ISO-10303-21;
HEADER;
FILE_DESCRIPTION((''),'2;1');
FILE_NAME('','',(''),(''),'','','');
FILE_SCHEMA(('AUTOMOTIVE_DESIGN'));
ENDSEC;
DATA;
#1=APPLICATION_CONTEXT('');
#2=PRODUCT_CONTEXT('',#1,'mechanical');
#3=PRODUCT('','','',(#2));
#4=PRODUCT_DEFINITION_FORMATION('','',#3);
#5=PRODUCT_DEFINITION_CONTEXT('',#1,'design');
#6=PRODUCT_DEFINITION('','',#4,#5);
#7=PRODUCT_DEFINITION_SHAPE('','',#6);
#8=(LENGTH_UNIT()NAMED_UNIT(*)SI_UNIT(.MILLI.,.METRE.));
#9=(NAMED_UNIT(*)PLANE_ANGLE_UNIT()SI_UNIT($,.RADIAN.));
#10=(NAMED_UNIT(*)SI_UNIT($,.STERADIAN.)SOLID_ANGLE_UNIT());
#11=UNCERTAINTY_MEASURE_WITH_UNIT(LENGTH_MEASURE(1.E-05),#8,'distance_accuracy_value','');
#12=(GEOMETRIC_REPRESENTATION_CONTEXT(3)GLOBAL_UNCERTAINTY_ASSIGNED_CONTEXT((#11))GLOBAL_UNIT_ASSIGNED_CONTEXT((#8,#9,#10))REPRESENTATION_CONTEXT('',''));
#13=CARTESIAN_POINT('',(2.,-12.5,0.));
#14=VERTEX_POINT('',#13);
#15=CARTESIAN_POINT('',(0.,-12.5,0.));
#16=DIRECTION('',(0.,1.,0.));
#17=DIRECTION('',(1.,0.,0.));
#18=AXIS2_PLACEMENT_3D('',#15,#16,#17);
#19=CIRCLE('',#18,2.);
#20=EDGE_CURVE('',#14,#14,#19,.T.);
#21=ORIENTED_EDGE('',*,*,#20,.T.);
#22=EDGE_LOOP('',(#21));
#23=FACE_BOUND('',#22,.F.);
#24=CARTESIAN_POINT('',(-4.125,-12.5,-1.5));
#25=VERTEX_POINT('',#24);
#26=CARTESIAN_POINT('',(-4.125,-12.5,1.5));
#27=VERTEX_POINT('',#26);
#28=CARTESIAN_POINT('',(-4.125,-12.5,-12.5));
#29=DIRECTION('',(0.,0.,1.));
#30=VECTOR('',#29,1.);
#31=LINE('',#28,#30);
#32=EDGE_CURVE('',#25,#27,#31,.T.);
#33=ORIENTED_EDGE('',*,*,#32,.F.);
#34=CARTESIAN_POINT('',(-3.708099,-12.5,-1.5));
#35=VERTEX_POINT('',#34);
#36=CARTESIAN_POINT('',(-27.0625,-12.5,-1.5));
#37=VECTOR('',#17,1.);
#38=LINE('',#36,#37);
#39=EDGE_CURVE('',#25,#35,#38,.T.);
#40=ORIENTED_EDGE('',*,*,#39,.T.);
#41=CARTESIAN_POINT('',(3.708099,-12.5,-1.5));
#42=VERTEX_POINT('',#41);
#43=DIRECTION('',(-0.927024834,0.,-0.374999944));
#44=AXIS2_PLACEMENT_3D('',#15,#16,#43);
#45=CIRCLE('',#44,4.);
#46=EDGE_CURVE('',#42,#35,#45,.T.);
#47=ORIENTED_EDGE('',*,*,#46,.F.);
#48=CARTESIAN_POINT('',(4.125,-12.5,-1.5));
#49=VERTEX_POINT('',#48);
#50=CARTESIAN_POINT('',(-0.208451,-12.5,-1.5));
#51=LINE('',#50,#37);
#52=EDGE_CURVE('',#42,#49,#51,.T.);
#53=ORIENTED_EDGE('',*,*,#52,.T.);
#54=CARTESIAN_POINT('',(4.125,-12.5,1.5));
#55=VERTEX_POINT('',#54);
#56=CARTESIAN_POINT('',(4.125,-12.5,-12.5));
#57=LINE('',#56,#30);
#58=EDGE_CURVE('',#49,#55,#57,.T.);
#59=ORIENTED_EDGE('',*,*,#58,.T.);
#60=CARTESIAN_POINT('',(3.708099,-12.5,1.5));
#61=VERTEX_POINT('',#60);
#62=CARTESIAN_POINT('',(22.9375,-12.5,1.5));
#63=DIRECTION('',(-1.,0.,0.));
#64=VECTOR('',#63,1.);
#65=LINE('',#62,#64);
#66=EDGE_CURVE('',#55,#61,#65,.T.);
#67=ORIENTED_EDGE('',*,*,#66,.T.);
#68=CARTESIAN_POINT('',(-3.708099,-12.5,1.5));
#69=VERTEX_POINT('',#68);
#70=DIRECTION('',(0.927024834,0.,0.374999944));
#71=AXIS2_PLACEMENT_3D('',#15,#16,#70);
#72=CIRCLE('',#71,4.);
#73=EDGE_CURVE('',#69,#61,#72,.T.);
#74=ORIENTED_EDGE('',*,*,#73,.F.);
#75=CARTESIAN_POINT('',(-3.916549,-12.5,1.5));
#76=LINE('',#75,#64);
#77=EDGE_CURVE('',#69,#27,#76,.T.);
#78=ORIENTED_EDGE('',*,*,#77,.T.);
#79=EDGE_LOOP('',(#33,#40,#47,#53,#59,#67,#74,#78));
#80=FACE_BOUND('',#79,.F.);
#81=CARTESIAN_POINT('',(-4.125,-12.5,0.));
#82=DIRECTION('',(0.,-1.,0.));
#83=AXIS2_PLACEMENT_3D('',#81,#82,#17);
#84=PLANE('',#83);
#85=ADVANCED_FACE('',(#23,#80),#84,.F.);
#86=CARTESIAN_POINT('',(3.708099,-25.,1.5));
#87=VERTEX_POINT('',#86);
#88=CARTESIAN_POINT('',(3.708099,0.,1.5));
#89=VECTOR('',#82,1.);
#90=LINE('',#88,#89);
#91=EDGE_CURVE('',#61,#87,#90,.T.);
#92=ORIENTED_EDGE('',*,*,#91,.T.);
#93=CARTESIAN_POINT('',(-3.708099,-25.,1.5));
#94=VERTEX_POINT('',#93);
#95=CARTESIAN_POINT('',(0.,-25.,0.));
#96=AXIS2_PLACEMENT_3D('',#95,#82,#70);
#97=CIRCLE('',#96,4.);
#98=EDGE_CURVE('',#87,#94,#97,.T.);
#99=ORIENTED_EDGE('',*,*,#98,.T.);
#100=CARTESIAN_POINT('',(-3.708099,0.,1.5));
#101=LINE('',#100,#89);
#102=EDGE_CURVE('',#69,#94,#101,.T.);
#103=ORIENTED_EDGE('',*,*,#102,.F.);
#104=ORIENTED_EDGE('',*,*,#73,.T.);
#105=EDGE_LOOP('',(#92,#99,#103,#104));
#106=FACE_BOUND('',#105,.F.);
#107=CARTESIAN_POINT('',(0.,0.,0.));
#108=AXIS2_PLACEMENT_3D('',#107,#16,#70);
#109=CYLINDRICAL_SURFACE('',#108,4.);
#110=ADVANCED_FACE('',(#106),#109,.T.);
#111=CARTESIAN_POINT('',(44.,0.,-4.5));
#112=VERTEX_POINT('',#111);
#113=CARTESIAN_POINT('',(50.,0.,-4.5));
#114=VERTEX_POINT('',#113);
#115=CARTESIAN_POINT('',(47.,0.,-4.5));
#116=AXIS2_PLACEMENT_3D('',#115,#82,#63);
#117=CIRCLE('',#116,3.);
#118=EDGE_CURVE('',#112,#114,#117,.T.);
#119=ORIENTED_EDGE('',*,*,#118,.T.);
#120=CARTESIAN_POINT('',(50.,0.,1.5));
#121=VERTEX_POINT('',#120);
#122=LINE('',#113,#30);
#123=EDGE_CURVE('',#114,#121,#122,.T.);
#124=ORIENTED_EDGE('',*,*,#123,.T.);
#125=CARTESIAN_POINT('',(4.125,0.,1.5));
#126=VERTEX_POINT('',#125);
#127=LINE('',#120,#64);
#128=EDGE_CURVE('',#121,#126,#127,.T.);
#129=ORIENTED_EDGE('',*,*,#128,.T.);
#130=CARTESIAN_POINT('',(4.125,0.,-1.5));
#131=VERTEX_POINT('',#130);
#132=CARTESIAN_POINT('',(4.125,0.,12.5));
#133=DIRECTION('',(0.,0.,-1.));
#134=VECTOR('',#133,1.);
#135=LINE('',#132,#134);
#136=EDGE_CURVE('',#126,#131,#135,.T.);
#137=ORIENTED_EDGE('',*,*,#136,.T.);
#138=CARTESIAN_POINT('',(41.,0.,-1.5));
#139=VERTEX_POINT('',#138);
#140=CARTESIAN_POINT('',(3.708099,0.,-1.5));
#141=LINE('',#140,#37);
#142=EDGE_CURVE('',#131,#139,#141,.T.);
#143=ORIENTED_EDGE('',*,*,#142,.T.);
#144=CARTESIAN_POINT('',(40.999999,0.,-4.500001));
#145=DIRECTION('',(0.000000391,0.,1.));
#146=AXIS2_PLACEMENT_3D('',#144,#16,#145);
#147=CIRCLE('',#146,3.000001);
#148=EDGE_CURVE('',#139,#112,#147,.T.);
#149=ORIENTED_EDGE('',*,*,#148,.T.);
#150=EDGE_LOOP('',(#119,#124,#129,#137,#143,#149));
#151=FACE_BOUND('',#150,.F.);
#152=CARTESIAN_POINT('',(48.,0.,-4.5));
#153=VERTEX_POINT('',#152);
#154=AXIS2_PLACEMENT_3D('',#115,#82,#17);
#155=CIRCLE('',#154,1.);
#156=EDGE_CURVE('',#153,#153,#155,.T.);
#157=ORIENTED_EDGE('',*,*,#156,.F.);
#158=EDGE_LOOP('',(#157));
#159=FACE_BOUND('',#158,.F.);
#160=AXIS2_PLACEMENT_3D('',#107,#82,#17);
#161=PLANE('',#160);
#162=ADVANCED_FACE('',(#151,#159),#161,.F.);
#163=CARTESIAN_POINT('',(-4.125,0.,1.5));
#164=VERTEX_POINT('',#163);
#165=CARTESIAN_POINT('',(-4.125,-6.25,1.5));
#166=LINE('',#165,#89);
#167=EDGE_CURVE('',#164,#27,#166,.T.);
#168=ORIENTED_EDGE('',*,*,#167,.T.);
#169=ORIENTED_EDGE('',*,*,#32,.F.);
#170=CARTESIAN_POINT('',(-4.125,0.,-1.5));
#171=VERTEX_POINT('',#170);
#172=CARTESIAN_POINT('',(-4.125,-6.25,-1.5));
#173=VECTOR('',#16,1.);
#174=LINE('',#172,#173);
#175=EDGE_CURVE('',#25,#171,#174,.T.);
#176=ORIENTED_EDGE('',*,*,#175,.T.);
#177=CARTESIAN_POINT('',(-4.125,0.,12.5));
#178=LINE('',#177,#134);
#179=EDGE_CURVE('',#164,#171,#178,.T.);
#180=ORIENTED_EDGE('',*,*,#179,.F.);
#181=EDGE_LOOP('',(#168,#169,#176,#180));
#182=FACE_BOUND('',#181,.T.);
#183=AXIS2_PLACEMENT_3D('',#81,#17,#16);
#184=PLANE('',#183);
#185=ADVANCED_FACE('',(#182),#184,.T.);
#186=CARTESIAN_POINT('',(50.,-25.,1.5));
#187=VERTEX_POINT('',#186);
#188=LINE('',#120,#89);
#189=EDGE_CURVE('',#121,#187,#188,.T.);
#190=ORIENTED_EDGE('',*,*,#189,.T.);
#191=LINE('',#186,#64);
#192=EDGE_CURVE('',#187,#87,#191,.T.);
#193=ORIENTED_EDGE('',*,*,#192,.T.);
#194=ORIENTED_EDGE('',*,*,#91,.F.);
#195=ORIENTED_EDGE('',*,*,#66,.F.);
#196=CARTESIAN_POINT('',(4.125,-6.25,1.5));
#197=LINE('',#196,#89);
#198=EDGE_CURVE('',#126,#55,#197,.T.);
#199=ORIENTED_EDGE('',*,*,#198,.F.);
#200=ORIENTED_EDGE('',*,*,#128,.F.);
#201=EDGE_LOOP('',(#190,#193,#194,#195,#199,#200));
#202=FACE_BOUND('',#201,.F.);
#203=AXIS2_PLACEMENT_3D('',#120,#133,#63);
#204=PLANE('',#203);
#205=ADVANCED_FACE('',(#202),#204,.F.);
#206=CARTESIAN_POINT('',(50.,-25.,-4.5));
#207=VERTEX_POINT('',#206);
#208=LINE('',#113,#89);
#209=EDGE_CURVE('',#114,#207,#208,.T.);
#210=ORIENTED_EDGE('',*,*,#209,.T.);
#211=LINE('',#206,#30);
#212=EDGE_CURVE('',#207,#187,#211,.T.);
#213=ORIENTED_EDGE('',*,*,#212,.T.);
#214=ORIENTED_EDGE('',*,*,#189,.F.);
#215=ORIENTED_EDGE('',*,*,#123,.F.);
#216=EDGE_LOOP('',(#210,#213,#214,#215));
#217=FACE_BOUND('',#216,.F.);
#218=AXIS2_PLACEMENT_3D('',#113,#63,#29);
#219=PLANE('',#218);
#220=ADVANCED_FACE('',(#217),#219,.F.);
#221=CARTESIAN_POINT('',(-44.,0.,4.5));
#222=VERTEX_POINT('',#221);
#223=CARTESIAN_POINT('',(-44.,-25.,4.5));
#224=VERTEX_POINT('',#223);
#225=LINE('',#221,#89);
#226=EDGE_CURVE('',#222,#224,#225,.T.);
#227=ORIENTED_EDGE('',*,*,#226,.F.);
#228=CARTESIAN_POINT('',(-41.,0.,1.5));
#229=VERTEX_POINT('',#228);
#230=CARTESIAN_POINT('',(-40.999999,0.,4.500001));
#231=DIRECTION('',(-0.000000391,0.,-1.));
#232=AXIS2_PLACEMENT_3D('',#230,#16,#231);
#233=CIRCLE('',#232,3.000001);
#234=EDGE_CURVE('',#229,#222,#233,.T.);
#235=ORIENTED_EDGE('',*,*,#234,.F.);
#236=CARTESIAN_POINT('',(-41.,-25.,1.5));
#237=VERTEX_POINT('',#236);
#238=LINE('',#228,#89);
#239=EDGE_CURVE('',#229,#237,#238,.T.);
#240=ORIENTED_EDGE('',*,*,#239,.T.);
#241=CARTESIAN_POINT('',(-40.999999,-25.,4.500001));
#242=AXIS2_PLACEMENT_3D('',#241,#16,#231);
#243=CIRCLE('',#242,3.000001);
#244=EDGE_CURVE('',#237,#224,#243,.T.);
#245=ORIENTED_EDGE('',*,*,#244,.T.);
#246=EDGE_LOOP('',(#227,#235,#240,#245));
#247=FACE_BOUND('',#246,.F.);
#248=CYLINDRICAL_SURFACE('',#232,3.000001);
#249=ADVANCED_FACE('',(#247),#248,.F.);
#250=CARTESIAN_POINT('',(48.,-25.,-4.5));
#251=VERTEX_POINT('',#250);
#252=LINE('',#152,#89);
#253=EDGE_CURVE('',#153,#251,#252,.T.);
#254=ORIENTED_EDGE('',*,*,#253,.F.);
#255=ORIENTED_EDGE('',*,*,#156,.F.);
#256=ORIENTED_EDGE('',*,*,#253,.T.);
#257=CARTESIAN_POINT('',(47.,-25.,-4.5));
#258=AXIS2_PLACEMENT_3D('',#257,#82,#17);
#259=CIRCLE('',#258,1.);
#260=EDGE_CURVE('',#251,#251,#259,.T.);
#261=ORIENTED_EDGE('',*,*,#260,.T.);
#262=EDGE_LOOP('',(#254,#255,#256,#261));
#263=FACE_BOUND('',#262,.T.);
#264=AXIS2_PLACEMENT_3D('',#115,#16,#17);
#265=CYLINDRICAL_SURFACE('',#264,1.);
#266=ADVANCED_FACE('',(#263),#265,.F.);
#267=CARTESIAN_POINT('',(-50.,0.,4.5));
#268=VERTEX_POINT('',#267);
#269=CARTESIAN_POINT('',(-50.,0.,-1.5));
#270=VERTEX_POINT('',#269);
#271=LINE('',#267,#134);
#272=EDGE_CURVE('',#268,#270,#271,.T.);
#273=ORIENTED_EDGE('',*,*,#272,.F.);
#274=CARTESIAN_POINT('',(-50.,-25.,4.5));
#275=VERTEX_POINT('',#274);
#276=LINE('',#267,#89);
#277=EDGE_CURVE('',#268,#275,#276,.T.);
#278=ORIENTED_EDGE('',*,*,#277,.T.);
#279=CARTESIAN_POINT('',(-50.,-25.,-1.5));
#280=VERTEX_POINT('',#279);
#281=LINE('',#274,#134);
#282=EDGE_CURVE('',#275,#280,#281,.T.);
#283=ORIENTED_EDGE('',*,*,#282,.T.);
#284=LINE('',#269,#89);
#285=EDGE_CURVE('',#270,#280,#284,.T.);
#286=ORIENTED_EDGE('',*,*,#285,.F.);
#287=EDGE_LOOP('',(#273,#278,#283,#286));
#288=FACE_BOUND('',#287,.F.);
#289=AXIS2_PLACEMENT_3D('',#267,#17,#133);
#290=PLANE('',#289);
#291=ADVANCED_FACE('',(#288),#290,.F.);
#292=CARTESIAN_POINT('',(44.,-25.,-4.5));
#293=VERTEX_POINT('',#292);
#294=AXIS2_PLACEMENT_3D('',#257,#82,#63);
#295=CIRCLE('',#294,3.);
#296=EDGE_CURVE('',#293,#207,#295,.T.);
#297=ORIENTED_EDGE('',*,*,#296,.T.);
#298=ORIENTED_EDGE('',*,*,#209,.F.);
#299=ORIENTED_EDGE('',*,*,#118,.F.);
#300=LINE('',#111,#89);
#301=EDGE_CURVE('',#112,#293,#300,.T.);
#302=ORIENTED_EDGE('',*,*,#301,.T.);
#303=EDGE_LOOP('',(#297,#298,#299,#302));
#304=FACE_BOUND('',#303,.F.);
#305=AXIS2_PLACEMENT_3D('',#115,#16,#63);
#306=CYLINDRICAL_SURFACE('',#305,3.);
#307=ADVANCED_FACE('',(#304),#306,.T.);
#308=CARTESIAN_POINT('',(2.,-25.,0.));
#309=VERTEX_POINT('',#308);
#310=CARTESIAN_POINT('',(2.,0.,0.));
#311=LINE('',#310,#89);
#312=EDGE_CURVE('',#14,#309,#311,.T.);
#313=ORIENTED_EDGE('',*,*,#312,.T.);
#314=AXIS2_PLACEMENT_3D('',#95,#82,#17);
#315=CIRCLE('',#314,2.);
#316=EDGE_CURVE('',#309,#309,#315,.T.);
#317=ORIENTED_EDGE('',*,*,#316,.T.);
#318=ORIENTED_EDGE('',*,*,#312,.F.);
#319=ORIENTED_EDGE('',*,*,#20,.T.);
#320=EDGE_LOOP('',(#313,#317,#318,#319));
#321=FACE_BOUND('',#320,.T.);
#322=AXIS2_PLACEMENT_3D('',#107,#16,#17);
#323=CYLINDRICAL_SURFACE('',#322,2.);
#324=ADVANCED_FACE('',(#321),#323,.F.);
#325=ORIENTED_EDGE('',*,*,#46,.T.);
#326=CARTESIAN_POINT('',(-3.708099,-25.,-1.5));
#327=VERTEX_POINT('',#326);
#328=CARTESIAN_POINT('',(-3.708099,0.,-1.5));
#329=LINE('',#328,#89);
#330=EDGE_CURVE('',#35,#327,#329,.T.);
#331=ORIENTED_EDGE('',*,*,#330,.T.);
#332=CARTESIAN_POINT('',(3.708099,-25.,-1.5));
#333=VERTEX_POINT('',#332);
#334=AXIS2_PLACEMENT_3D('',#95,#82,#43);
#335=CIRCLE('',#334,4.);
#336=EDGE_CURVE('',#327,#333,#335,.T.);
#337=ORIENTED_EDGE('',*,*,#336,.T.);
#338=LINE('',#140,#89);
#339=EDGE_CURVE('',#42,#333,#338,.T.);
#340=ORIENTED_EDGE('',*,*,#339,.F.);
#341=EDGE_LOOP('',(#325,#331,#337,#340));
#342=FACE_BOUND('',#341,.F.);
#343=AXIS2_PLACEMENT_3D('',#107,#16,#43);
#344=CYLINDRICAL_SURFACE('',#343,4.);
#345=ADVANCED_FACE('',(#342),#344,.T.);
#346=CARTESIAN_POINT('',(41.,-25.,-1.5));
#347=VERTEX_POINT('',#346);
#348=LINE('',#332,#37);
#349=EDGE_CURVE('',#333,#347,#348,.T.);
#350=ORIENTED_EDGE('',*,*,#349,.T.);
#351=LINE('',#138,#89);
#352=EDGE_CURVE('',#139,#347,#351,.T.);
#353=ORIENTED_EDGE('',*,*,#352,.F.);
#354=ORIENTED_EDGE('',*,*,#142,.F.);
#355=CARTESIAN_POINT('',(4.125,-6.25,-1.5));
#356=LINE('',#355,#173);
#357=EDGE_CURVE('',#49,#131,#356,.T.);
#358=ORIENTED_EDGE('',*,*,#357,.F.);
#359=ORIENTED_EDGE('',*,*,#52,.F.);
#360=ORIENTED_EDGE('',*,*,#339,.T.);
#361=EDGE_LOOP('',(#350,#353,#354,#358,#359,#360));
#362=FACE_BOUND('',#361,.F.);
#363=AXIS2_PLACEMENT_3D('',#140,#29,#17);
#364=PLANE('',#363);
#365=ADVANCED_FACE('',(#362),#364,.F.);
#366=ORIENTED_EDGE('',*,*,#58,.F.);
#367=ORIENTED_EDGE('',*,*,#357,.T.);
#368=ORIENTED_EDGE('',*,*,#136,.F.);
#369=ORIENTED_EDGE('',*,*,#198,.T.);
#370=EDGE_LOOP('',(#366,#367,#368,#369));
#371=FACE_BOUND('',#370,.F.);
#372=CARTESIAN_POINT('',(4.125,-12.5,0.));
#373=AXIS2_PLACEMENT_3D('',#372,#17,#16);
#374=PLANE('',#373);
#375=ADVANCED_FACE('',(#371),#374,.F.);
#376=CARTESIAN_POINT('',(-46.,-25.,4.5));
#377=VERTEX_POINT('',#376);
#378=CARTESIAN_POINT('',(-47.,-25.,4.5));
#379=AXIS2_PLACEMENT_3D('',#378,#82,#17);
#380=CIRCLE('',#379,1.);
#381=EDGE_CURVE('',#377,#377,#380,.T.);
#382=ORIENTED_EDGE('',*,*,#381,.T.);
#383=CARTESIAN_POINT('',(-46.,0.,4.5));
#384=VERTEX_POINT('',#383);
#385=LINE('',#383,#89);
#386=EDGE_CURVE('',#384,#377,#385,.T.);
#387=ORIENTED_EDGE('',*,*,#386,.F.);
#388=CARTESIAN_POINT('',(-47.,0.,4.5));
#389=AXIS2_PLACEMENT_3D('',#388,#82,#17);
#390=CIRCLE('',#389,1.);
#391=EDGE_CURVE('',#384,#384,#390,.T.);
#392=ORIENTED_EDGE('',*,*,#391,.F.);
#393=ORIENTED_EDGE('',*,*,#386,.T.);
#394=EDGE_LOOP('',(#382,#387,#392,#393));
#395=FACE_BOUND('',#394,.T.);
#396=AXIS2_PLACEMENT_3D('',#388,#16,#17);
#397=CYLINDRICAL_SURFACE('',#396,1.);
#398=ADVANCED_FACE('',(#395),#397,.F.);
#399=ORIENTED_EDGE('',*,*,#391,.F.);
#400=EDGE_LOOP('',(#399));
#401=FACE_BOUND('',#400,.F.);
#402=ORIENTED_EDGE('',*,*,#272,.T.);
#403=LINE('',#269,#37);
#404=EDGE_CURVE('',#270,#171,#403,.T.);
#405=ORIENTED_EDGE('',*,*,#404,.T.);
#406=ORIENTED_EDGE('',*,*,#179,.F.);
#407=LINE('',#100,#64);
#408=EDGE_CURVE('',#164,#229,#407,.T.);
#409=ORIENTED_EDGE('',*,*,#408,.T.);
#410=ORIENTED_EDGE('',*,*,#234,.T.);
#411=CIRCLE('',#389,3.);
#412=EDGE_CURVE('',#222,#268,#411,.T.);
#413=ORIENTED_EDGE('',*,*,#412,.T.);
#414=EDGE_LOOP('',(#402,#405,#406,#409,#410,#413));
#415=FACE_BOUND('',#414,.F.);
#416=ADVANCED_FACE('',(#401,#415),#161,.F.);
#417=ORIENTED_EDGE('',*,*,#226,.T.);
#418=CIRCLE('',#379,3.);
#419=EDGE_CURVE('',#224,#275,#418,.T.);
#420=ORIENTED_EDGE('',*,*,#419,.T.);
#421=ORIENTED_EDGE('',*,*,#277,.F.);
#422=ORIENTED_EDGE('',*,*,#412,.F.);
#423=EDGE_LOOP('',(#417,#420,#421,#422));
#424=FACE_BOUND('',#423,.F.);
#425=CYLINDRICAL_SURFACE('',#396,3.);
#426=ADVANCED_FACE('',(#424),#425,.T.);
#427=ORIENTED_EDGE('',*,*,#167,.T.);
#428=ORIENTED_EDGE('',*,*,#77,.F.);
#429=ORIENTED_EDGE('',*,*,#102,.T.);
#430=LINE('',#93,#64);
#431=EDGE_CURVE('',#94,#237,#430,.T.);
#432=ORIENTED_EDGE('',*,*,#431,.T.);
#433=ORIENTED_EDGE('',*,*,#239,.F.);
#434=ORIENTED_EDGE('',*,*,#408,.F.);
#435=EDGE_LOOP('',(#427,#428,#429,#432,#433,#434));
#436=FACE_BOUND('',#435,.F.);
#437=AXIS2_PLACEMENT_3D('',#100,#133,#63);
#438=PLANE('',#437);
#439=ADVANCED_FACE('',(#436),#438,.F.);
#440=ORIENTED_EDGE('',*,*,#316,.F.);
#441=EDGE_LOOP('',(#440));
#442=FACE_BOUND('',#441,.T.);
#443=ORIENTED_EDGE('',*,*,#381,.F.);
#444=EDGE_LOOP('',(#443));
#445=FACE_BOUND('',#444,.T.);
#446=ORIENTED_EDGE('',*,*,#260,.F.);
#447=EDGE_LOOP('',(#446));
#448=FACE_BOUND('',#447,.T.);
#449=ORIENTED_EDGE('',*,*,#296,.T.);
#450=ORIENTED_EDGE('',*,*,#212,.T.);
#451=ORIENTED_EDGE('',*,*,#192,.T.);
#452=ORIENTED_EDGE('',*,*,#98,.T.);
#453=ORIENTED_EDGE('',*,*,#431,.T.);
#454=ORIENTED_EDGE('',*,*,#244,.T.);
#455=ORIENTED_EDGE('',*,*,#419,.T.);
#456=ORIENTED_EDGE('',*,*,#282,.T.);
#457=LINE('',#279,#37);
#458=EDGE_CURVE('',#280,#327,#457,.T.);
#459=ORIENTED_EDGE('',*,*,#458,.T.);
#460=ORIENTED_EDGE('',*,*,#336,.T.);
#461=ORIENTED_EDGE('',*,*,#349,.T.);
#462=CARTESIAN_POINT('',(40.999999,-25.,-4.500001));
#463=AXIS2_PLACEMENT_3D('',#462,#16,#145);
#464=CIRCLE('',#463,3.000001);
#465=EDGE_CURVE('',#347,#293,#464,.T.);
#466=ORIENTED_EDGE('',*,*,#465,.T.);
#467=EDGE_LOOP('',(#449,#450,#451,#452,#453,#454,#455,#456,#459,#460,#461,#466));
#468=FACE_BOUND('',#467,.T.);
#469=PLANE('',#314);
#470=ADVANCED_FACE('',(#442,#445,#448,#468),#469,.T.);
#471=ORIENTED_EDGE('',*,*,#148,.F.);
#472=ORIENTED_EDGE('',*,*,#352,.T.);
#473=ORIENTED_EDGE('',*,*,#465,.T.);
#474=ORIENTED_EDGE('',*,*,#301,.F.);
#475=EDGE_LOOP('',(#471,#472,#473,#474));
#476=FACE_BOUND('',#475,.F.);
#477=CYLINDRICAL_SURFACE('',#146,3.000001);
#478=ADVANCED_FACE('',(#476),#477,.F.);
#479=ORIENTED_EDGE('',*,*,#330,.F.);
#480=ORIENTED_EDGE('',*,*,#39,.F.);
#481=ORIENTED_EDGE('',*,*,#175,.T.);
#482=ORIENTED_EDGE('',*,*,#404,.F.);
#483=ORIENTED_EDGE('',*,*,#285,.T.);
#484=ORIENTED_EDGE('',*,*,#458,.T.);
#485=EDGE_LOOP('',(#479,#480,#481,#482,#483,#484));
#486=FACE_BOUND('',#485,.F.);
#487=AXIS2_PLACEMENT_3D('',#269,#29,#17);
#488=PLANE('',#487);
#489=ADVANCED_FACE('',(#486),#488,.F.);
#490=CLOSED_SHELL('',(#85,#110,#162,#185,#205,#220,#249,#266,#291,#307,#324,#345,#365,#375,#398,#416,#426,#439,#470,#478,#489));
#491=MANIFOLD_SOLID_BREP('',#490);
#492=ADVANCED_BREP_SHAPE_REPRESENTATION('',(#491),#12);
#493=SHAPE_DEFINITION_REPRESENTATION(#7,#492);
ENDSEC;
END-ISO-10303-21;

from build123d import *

# Parameters (mm, degrees)
F0_R     = 1
F0_R_2   = 2
F1_DEPTH = 25
F2_W     = 8.25
F2_H     = 12.5
F3_DEPTH = 12.5


with BuildPart() as f1:
    # F0 (on Front) → F1 (new body)
    with BuildSketch(Plane.XZ):
        with BuildLine():
            Line((-3.708099, 1.5), (-41, 1.5))
            ThreePointArc((-41, 1.5), (-43.12132, 2.37868), (-44, 4.5))
            ThreePointArc((-44, 4.5), (-47, 7.5), (-50, 4.5))
            Line((-50, 4.5), (-50, 2.5))
            Line((-50, 2.5), (-50, 1.5))
            Line((-50, 1.5), (-50, -1.5))
            Line((-50, -1.5), (-3.708099, -1.5))
            ThreePointArc((-3.708099, -1.5), (0, -4), (3.708099, -1.5))
            Line((3.708099, -1.5), (41, -1.5))
            ThreePointArc((41, -1.5), (43.12132, -2.37868), (44, -4.5))
            ThreePointArc((44, -4.5), (47, -7.5), (50, -4.5))
            Line((50, -4.5), (50, -1.5))
            Line((50, -1.5), (50, 1.5))
            Line((50, 1.5), (3.708099, 1.5))
            ThreePointArc((3.708099, 1.5), (0, 4), (-3.708099, 1.5))
        make_face()
        with Locations((47, -4.5)):
            Circle(F0_R, mode=Mode.SUBTRACT)
        with Locations((-47, 4.5)):
            Circle(F0_R, mode=Mode.SUBTRACT)
        Circle(F0_R_2, mode=Mode.SUBTRACT)
    extrude(amount=F1_DEPTH)

    # F2 (on Top) → F3 (cut, symmetric)
    with BuildSketch(Plane.XY):
        with Locations((0, -6.25)):
            Rectangle(F2_W, F2_H)
    extrude(amount=F3_DEPTH, both=True, mode=Mode.SUBTRACT)


solid = f1.part
